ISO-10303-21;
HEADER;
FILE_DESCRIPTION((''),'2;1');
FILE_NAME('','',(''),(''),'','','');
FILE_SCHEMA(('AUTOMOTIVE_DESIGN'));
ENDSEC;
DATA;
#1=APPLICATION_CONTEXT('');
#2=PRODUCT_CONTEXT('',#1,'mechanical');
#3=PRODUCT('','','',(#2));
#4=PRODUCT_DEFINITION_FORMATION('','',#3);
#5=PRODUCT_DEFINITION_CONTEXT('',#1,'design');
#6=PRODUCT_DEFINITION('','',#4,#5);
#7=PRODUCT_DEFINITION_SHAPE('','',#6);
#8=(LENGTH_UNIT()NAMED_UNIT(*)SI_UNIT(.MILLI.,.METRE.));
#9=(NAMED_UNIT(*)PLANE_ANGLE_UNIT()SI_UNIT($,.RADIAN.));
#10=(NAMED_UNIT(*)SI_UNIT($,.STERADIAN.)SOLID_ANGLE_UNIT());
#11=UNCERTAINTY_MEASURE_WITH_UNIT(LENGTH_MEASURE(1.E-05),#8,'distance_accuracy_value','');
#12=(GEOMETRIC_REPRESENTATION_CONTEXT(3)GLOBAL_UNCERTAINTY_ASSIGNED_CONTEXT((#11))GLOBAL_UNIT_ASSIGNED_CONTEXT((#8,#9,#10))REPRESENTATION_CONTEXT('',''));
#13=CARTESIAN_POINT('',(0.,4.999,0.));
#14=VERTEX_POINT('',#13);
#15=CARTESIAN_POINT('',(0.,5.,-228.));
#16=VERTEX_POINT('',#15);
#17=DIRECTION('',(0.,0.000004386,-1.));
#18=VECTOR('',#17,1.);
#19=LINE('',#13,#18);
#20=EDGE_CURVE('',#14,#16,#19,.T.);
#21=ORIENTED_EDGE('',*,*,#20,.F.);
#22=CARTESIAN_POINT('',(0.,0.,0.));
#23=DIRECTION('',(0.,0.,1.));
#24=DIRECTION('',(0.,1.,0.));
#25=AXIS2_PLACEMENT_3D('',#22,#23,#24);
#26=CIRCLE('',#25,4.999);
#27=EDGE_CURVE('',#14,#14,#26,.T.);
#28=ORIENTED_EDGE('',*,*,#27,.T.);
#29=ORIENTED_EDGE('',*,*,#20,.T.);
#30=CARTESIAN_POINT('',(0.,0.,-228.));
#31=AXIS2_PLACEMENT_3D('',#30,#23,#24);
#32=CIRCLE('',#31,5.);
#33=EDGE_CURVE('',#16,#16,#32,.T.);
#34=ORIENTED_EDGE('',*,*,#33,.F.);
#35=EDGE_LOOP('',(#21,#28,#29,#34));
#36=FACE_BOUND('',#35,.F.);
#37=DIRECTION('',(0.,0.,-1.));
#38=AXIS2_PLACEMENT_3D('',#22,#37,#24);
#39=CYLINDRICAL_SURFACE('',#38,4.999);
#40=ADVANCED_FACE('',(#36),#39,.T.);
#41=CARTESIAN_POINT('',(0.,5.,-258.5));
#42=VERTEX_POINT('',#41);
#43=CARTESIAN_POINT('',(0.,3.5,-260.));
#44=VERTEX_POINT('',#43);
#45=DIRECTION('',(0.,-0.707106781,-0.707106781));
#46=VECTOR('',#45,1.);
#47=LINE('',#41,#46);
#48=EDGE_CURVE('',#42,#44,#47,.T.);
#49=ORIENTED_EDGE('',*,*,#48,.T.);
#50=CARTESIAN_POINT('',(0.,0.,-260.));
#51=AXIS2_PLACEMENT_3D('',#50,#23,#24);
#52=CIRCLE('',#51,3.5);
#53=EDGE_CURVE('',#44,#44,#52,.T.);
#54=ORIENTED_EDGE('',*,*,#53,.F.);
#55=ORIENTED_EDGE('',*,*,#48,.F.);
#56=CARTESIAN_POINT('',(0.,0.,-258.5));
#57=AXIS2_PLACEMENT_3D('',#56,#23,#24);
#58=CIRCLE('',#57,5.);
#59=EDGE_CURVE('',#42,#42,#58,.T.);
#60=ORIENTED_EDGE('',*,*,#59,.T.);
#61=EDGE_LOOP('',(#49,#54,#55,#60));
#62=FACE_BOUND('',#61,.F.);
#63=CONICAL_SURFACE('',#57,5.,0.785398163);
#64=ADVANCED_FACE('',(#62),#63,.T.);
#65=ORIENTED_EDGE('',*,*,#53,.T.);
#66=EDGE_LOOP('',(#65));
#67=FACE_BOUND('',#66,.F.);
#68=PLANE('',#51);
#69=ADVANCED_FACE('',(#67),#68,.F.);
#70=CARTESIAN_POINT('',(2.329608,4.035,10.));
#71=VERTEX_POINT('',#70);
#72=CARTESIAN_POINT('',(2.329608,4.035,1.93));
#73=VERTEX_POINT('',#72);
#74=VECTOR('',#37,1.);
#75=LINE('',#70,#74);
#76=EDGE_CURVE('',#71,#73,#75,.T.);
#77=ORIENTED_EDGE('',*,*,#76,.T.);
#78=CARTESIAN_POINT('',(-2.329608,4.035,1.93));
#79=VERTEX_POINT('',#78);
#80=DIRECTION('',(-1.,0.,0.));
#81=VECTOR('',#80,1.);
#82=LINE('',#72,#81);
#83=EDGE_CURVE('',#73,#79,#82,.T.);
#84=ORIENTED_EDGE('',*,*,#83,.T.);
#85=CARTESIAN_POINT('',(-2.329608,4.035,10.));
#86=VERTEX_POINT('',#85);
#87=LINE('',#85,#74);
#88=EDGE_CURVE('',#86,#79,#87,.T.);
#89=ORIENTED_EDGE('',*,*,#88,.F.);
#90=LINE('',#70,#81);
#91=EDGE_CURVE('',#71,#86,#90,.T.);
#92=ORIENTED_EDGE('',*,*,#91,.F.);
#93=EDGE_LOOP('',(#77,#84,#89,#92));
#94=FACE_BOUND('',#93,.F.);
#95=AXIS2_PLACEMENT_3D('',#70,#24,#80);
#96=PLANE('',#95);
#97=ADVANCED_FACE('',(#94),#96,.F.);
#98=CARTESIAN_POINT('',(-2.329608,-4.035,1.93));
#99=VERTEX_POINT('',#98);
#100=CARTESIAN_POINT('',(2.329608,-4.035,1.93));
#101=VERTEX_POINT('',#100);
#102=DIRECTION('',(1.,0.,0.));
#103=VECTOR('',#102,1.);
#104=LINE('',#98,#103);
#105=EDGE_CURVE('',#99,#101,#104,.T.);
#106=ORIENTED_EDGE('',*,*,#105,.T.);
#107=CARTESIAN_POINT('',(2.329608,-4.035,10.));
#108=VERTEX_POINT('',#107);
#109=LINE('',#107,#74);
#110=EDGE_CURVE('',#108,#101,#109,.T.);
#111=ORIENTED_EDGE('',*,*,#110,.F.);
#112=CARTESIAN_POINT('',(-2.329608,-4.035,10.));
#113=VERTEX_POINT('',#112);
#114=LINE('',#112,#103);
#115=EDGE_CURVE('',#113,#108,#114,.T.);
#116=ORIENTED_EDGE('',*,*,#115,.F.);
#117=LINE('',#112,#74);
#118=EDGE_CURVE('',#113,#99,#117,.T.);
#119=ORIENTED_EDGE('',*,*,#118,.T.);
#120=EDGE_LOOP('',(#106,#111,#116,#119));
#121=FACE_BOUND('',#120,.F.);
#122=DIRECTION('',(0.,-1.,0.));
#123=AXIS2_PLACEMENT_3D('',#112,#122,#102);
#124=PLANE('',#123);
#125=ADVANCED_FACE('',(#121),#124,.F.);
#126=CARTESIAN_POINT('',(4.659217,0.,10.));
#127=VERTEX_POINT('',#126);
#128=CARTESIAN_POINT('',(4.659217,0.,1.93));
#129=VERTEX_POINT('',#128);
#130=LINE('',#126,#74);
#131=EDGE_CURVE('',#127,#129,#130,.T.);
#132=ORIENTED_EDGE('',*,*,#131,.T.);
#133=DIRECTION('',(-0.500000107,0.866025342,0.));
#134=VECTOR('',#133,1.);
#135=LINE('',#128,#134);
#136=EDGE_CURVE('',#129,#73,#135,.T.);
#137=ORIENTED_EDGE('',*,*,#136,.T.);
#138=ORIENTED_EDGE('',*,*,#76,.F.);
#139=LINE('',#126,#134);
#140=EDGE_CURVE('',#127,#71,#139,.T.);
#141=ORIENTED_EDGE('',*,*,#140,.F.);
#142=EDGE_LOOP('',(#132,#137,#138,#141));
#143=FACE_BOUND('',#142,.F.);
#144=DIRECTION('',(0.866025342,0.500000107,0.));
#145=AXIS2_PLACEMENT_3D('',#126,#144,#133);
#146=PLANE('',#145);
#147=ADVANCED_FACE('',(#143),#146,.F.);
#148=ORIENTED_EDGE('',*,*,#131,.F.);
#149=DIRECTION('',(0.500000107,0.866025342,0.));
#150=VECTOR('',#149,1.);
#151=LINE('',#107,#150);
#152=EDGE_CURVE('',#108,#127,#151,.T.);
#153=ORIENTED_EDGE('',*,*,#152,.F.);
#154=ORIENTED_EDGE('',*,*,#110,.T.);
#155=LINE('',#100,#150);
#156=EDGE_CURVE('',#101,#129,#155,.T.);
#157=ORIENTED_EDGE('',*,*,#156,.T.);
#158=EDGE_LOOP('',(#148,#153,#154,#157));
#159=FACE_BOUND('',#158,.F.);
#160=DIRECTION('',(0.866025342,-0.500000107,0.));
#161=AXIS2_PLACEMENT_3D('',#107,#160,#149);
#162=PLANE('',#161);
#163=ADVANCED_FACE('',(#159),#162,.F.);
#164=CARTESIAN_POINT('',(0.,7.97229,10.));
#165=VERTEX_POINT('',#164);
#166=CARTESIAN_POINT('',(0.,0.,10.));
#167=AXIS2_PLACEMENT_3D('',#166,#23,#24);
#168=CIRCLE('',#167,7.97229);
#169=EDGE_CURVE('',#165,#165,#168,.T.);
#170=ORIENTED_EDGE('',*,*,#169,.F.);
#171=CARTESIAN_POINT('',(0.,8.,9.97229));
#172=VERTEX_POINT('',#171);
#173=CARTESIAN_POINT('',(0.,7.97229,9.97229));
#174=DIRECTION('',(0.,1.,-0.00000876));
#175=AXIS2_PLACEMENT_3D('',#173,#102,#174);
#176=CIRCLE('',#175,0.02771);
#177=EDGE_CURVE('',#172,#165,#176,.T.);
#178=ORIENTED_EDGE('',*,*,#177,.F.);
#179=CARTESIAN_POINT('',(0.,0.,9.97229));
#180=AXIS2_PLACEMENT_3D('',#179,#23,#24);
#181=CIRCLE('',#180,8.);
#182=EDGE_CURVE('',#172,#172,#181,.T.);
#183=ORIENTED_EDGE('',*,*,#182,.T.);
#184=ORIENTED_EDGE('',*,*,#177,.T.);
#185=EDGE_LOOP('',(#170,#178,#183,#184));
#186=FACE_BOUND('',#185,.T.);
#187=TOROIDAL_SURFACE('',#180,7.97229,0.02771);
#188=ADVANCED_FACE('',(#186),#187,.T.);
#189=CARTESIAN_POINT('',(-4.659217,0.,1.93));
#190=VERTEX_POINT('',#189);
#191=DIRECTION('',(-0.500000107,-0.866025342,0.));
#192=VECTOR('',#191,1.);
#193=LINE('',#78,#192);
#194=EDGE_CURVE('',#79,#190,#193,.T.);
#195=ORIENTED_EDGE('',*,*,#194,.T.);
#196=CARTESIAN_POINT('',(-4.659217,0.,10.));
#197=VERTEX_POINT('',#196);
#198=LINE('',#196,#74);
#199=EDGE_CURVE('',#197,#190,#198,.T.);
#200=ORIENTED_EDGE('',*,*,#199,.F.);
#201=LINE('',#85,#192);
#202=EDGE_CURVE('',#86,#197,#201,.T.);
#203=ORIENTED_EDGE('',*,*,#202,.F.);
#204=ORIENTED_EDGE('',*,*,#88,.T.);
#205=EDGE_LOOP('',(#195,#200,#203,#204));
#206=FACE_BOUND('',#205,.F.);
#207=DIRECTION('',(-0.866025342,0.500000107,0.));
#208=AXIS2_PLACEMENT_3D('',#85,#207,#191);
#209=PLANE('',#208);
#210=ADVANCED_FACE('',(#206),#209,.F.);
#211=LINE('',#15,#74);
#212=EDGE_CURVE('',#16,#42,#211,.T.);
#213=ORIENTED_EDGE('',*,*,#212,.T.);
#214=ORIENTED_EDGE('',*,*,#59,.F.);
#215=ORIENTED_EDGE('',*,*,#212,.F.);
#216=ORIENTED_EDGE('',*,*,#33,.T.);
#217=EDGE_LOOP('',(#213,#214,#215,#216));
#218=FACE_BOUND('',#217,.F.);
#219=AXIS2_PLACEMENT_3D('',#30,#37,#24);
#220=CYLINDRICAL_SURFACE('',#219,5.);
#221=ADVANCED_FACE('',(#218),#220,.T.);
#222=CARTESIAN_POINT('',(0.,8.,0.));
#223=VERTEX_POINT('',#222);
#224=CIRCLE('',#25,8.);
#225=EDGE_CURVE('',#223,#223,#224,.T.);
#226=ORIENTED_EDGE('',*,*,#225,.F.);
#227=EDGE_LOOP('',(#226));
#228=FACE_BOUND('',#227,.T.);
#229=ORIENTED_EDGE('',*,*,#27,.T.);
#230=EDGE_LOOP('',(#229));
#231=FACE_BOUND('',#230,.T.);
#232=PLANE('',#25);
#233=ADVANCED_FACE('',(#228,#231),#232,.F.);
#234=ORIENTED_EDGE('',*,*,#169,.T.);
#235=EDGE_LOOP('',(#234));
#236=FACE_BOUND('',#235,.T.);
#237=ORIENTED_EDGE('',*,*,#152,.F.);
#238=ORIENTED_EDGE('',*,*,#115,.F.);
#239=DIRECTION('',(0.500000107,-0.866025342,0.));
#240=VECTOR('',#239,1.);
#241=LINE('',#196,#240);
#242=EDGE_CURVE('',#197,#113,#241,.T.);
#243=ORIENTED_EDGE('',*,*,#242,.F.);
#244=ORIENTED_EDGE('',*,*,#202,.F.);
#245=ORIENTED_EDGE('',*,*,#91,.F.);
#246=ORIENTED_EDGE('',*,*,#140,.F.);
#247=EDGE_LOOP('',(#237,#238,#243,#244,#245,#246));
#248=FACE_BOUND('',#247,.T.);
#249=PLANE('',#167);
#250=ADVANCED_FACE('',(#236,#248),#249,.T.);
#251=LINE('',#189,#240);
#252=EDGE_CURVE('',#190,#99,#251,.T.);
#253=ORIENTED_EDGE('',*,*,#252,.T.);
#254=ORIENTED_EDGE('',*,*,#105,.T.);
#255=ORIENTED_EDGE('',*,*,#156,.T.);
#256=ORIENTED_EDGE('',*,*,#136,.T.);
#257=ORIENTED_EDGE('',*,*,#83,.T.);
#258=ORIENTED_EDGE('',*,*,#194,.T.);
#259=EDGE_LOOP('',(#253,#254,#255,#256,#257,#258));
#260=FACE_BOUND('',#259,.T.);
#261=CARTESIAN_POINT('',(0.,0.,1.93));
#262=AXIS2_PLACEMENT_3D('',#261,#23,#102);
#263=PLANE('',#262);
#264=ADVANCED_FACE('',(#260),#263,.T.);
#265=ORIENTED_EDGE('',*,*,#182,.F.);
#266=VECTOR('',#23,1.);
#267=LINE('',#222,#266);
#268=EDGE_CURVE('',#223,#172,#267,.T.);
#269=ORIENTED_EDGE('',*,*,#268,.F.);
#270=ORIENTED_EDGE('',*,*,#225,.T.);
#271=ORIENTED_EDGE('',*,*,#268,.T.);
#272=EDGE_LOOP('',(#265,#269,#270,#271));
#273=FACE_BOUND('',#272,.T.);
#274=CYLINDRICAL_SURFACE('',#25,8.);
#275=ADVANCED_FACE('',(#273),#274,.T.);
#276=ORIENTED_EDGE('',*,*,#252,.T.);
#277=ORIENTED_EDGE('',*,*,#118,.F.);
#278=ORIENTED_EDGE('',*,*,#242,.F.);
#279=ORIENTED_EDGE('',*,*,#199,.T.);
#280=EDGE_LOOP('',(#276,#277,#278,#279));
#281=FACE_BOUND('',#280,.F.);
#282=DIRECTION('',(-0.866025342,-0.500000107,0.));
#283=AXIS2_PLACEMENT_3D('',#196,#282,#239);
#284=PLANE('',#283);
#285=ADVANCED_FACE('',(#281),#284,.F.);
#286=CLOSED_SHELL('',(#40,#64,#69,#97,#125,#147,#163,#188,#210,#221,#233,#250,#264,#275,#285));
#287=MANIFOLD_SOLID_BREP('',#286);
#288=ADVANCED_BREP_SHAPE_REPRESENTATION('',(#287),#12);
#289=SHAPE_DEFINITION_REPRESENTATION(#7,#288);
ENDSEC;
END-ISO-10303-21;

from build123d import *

# Parameters (mm, degrees)
POCKET_DEPTH = 8.07


with BuildPart() as part:
    # Sketch → Revolve (revolve)
    with BuildSketch(Plane.YZ):
        with BuildLine():
            Line((4.999, 0), (8, 0))
            Line((8, 0), (8, 9.97229))
            ThreePointArc((8, 9.97229), (7.991884, 9.991884), (7.97229, 10))
            Line((7.97229, 10), (0, 10))
            Line((0, -260), (0, 10))
            Line((3.5, -260), (0, -260))
            Line((5, -258.5), (3.5, -260))
            Line((5, -228), (5, -258.5))
            Line((4.999, 0), (5, -228))
        make_face()
    revolve(axis=Axis((0, 0, 0), (0, 0, 1)))

    # Sketch001 → Pocket (cut)
    with BuildSketch(Plane.XY.offset(10)):
        Polygon((4.659217, 0), (2.329608, 4.035), (-2.329608, 4.035), (-4.659217, 0), (-2.329608, -4.035), (2.329608, -4.035), align=None)
    extrude(amount=-POCKET_DEPTH, mode=Mode.SUBTRACT)


solid = part.part
